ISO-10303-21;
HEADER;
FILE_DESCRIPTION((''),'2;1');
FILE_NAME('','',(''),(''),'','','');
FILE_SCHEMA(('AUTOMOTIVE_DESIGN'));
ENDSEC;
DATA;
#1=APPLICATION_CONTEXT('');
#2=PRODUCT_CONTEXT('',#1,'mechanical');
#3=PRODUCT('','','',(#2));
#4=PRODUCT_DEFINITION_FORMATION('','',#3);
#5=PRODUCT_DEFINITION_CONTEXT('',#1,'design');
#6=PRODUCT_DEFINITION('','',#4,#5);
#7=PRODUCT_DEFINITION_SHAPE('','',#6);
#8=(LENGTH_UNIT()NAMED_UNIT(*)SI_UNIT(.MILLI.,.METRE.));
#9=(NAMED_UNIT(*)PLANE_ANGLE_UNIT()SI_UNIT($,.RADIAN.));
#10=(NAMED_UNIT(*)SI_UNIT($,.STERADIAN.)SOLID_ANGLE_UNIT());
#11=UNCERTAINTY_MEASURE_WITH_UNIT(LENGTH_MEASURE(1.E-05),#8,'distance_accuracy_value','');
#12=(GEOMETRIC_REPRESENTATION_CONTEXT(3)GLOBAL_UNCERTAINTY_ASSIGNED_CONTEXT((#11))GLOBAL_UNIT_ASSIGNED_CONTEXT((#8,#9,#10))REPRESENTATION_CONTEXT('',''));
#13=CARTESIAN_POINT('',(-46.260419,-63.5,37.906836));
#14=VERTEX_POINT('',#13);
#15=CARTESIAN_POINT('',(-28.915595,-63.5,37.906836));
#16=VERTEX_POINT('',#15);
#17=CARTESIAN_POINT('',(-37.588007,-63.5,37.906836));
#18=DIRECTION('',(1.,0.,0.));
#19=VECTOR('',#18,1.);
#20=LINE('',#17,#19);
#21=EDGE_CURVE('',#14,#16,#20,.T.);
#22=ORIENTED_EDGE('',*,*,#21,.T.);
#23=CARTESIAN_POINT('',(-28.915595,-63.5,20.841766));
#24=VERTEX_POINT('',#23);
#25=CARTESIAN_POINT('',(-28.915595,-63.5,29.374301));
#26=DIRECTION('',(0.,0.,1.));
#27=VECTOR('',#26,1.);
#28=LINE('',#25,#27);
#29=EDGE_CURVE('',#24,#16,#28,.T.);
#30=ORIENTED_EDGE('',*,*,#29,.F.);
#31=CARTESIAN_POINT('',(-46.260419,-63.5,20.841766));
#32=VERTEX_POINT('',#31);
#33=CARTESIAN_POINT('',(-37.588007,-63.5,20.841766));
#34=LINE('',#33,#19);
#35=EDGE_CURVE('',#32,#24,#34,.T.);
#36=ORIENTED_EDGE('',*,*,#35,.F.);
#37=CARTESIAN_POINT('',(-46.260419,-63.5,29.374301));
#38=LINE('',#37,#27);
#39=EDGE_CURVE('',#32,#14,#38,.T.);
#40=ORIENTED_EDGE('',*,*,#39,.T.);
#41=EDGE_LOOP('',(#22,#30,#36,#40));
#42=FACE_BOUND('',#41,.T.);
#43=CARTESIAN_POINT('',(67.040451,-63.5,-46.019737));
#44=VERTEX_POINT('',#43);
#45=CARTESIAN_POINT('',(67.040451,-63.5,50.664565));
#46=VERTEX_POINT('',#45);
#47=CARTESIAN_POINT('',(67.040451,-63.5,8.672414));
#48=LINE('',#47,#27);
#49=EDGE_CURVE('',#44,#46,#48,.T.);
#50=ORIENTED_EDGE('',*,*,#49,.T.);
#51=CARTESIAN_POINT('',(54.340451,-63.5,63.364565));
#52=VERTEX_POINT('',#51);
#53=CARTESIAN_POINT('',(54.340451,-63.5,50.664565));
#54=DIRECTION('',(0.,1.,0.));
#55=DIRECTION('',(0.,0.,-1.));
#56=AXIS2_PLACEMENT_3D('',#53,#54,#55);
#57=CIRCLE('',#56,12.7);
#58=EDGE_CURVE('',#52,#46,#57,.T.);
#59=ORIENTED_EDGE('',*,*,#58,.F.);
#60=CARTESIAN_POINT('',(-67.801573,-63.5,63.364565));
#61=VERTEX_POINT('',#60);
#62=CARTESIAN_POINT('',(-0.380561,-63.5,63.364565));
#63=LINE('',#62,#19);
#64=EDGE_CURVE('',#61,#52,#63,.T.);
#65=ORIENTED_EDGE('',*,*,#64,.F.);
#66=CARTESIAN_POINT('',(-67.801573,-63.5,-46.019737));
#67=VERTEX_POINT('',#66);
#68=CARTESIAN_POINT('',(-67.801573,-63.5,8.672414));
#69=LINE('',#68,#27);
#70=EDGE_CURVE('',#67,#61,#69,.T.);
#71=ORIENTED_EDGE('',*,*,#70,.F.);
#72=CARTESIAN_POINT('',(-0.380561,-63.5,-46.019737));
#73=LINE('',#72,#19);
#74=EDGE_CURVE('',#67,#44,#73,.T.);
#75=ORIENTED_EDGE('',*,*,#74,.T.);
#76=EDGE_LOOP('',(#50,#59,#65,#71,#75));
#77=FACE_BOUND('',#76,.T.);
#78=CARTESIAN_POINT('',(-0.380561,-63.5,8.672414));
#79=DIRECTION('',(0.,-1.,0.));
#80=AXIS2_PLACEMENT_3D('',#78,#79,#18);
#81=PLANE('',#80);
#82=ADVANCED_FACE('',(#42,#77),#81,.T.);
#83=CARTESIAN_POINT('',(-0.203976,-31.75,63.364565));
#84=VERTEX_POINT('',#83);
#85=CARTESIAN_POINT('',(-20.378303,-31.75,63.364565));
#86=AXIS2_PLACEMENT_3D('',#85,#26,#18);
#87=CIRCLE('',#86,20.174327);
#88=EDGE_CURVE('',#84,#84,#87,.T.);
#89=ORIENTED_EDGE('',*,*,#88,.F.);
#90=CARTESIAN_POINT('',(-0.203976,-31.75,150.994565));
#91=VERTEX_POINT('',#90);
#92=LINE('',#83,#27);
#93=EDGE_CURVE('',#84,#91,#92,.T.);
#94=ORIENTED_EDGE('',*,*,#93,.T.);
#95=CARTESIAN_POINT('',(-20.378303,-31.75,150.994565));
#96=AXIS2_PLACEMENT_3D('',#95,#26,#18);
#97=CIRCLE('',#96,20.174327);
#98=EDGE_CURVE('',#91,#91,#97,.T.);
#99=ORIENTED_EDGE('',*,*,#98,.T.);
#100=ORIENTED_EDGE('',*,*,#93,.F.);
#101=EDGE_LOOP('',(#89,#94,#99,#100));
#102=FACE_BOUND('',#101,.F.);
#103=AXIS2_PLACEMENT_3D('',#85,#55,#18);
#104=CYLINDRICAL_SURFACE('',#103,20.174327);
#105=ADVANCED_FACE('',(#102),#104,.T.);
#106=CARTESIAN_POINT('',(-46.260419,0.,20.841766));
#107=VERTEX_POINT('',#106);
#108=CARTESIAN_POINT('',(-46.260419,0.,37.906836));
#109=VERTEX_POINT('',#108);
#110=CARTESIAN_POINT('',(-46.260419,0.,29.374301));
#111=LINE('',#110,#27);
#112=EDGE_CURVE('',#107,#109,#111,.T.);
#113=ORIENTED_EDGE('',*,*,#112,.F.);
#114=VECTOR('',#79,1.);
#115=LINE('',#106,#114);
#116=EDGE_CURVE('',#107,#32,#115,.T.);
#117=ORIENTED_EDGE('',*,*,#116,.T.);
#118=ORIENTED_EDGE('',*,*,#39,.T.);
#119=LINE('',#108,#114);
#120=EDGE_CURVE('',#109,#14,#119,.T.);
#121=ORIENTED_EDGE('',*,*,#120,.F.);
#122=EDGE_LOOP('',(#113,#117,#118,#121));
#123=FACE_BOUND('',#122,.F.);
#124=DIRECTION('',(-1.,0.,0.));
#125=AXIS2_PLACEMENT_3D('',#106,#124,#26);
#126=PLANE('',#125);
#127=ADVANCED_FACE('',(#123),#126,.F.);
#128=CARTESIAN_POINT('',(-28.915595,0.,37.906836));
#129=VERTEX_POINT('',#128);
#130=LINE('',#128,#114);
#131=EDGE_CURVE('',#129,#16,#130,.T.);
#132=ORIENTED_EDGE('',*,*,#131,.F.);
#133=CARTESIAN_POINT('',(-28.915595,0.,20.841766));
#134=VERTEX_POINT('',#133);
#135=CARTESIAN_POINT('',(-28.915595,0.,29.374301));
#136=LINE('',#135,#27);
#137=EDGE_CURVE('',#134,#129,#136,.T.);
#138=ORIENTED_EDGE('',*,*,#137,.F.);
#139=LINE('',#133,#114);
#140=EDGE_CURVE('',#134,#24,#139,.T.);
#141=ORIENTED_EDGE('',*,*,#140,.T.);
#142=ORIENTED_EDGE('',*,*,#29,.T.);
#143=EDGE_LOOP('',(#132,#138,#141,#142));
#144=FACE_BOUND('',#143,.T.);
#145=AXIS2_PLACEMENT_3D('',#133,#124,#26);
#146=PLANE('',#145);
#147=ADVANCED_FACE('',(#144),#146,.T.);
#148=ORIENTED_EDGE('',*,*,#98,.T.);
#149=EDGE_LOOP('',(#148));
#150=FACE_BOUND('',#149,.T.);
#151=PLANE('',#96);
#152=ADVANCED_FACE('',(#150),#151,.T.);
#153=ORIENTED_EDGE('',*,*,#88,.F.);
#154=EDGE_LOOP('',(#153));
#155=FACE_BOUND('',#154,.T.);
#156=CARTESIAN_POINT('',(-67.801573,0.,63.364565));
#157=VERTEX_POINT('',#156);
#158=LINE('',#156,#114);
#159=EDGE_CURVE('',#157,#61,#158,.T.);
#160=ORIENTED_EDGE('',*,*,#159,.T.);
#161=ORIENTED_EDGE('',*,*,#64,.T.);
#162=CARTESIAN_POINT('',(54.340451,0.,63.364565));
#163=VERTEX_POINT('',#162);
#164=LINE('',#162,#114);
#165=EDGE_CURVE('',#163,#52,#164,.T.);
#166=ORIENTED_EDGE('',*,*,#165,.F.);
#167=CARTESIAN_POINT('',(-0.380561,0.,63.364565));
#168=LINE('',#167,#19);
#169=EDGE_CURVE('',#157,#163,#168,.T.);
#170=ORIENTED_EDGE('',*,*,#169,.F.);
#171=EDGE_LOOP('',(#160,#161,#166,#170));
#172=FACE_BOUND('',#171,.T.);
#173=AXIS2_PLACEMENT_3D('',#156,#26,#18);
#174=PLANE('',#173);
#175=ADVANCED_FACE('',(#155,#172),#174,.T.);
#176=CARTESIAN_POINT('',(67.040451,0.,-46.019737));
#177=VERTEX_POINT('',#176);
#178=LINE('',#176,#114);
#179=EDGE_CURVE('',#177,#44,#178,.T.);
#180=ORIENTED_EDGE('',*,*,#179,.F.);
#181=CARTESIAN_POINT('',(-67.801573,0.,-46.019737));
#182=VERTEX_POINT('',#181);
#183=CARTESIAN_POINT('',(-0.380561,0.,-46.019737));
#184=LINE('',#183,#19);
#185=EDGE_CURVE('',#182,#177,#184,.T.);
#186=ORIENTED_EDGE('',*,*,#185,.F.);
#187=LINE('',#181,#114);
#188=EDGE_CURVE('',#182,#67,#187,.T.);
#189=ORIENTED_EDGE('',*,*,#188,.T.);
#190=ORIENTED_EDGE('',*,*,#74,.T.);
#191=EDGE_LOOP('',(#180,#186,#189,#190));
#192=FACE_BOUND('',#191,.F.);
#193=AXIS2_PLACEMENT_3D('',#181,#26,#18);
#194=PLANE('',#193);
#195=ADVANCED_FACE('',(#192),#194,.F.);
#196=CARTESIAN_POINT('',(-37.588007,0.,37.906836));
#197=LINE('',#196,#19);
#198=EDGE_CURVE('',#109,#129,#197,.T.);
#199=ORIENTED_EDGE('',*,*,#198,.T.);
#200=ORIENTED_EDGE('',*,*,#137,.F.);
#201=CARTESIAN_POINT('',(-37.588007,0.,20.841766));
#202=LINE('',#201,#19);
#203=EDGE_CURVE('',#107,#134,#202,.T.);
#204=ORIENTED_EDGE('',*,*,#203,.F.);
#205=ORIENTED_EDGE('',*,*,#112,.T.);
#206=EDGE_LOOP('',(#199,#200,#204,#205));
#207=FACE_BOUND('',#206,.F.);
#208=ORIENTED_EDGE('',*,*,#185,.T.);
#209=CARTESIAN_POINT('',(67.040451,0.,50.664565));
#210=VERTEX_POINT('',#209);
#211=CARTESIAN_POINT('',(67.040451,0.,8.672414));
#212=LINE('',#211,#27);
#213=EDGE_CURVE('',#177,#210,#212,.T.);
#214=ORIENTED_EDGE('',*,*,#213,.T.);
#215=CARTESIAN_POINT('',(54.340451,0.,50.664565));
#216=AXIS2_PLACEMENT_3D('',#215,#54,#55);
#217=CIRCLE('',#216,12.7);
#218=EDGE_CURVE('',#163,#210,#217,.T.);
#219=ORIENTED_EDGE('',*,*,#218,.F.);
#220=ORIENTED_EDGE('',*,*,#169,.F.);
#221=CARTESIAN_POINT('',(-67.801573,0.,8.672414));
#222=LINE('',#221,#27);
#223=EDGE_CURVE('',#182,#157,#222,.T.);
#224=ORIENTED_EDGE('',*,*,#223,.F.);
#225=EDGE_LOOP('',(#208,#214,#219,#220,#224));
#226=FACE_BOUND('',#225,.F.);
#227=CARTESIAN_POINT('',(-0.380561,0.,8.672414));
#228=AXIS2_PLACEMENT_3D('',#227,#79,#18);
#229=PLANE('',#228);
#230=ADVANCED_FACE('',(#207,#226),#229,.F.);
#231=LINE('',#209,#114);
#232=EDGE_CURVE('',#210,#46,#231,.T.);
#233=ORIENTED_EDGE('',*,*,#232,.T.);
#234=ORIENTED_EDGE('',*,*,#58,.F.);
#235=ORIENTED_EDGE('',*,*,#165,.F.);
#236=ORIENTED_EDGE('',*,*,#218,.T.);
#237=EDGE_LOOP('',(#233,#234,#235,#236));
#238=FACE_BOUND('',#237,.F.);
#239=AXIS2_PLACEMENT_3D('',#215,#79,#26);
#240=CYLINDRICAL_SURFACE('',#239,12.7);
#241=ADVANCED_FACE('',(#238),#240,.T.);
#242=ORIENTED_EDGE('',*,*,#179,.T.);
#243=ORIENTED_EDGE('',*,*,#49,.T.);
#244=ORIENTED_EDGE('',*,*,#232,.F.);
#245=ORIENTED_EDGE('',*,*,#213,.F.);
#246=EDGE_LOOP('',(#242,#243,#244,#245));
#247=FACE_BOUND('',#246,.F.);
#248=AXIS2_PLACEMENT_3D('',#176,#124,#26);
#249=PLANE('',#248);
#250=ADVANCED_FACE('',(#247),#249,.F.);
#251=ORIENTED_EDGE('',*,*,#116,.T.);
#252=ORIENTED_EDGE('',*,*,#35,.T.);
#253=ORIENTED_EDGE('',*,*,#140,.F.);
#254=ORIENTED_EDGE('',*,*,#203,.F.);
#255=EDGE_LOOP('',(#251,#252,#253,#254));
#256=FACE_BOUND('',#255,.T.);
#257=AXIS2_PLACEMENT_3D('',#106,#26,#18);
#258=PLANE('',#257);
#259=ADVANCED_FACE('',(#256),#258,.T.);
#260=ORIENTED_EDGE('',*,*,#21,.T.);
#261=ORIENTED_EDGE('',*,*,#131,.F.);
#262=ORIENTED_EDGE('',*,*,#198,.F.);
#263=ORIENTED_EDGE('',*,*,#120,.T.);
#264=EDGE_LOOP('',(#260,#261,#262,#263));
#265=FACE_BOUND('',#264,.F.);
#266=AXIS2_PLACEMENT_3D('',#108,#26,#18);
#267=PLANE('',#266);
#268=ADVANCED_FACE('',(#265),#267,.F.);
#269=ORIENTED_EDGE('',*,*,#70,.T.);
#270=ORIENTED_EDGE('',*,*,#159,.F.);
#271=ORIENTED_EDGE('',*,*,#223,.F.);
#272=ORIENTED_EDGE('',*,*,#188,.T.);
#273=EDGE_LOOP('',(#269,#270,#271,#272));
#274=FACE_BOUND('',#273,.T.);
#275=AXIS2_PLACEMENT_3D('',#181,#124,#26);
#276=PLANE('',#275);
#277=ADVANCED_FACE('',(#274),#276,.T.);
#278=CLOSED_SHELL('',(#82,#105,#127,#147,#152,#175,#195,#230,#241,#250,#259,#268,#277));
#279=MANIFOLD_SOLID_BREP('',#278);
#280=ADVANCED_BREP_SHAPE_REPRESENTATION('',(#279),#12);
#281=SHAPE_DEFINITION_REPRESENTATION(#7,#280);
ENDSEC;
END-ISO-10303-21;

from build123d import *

# Parameters (mm, degrees)
F0_W     = 134.842023
F0_H     = 109.384302
F0_W_2   = 17.344825
F0_H_2   = 17.065071
F1_DEPTH = 63.5
F2_R     = 12.7
F3_R     = 20.174327
F4_DEPTH = 87.63


with BuildPart() as f1:
    # F0 (on Front) → F1 (new body)
    with BuildSketch(Plane.XZ):
        with Locations((-0.380561, 8.672414)):
            Rectangle(F0_W, F0_H)
        with Locations((-37.588007, 29.374301)):
            Rectangle(F0_W_2, F0_H_2, mode=Mode.SUBTRACT)
    extrude(amount=F1_DEPTH)

    # F2
    f2_edges = [f1.edges().sort_by_distance(p)[0] for p in [
        (67.040451, -31.75, 63.364565),
    ]]
    fillet(f2_edges, radius=F2_R)

    # F3 (on face) → F4 (join)
    with BuildSketch(Plane.XY.offset(63.364565)):
        with Locations((-20.378303, -31.75)):
            Circle(F3_R)
    extrude(amount=F4_DEPTH)


solid = f1.part
